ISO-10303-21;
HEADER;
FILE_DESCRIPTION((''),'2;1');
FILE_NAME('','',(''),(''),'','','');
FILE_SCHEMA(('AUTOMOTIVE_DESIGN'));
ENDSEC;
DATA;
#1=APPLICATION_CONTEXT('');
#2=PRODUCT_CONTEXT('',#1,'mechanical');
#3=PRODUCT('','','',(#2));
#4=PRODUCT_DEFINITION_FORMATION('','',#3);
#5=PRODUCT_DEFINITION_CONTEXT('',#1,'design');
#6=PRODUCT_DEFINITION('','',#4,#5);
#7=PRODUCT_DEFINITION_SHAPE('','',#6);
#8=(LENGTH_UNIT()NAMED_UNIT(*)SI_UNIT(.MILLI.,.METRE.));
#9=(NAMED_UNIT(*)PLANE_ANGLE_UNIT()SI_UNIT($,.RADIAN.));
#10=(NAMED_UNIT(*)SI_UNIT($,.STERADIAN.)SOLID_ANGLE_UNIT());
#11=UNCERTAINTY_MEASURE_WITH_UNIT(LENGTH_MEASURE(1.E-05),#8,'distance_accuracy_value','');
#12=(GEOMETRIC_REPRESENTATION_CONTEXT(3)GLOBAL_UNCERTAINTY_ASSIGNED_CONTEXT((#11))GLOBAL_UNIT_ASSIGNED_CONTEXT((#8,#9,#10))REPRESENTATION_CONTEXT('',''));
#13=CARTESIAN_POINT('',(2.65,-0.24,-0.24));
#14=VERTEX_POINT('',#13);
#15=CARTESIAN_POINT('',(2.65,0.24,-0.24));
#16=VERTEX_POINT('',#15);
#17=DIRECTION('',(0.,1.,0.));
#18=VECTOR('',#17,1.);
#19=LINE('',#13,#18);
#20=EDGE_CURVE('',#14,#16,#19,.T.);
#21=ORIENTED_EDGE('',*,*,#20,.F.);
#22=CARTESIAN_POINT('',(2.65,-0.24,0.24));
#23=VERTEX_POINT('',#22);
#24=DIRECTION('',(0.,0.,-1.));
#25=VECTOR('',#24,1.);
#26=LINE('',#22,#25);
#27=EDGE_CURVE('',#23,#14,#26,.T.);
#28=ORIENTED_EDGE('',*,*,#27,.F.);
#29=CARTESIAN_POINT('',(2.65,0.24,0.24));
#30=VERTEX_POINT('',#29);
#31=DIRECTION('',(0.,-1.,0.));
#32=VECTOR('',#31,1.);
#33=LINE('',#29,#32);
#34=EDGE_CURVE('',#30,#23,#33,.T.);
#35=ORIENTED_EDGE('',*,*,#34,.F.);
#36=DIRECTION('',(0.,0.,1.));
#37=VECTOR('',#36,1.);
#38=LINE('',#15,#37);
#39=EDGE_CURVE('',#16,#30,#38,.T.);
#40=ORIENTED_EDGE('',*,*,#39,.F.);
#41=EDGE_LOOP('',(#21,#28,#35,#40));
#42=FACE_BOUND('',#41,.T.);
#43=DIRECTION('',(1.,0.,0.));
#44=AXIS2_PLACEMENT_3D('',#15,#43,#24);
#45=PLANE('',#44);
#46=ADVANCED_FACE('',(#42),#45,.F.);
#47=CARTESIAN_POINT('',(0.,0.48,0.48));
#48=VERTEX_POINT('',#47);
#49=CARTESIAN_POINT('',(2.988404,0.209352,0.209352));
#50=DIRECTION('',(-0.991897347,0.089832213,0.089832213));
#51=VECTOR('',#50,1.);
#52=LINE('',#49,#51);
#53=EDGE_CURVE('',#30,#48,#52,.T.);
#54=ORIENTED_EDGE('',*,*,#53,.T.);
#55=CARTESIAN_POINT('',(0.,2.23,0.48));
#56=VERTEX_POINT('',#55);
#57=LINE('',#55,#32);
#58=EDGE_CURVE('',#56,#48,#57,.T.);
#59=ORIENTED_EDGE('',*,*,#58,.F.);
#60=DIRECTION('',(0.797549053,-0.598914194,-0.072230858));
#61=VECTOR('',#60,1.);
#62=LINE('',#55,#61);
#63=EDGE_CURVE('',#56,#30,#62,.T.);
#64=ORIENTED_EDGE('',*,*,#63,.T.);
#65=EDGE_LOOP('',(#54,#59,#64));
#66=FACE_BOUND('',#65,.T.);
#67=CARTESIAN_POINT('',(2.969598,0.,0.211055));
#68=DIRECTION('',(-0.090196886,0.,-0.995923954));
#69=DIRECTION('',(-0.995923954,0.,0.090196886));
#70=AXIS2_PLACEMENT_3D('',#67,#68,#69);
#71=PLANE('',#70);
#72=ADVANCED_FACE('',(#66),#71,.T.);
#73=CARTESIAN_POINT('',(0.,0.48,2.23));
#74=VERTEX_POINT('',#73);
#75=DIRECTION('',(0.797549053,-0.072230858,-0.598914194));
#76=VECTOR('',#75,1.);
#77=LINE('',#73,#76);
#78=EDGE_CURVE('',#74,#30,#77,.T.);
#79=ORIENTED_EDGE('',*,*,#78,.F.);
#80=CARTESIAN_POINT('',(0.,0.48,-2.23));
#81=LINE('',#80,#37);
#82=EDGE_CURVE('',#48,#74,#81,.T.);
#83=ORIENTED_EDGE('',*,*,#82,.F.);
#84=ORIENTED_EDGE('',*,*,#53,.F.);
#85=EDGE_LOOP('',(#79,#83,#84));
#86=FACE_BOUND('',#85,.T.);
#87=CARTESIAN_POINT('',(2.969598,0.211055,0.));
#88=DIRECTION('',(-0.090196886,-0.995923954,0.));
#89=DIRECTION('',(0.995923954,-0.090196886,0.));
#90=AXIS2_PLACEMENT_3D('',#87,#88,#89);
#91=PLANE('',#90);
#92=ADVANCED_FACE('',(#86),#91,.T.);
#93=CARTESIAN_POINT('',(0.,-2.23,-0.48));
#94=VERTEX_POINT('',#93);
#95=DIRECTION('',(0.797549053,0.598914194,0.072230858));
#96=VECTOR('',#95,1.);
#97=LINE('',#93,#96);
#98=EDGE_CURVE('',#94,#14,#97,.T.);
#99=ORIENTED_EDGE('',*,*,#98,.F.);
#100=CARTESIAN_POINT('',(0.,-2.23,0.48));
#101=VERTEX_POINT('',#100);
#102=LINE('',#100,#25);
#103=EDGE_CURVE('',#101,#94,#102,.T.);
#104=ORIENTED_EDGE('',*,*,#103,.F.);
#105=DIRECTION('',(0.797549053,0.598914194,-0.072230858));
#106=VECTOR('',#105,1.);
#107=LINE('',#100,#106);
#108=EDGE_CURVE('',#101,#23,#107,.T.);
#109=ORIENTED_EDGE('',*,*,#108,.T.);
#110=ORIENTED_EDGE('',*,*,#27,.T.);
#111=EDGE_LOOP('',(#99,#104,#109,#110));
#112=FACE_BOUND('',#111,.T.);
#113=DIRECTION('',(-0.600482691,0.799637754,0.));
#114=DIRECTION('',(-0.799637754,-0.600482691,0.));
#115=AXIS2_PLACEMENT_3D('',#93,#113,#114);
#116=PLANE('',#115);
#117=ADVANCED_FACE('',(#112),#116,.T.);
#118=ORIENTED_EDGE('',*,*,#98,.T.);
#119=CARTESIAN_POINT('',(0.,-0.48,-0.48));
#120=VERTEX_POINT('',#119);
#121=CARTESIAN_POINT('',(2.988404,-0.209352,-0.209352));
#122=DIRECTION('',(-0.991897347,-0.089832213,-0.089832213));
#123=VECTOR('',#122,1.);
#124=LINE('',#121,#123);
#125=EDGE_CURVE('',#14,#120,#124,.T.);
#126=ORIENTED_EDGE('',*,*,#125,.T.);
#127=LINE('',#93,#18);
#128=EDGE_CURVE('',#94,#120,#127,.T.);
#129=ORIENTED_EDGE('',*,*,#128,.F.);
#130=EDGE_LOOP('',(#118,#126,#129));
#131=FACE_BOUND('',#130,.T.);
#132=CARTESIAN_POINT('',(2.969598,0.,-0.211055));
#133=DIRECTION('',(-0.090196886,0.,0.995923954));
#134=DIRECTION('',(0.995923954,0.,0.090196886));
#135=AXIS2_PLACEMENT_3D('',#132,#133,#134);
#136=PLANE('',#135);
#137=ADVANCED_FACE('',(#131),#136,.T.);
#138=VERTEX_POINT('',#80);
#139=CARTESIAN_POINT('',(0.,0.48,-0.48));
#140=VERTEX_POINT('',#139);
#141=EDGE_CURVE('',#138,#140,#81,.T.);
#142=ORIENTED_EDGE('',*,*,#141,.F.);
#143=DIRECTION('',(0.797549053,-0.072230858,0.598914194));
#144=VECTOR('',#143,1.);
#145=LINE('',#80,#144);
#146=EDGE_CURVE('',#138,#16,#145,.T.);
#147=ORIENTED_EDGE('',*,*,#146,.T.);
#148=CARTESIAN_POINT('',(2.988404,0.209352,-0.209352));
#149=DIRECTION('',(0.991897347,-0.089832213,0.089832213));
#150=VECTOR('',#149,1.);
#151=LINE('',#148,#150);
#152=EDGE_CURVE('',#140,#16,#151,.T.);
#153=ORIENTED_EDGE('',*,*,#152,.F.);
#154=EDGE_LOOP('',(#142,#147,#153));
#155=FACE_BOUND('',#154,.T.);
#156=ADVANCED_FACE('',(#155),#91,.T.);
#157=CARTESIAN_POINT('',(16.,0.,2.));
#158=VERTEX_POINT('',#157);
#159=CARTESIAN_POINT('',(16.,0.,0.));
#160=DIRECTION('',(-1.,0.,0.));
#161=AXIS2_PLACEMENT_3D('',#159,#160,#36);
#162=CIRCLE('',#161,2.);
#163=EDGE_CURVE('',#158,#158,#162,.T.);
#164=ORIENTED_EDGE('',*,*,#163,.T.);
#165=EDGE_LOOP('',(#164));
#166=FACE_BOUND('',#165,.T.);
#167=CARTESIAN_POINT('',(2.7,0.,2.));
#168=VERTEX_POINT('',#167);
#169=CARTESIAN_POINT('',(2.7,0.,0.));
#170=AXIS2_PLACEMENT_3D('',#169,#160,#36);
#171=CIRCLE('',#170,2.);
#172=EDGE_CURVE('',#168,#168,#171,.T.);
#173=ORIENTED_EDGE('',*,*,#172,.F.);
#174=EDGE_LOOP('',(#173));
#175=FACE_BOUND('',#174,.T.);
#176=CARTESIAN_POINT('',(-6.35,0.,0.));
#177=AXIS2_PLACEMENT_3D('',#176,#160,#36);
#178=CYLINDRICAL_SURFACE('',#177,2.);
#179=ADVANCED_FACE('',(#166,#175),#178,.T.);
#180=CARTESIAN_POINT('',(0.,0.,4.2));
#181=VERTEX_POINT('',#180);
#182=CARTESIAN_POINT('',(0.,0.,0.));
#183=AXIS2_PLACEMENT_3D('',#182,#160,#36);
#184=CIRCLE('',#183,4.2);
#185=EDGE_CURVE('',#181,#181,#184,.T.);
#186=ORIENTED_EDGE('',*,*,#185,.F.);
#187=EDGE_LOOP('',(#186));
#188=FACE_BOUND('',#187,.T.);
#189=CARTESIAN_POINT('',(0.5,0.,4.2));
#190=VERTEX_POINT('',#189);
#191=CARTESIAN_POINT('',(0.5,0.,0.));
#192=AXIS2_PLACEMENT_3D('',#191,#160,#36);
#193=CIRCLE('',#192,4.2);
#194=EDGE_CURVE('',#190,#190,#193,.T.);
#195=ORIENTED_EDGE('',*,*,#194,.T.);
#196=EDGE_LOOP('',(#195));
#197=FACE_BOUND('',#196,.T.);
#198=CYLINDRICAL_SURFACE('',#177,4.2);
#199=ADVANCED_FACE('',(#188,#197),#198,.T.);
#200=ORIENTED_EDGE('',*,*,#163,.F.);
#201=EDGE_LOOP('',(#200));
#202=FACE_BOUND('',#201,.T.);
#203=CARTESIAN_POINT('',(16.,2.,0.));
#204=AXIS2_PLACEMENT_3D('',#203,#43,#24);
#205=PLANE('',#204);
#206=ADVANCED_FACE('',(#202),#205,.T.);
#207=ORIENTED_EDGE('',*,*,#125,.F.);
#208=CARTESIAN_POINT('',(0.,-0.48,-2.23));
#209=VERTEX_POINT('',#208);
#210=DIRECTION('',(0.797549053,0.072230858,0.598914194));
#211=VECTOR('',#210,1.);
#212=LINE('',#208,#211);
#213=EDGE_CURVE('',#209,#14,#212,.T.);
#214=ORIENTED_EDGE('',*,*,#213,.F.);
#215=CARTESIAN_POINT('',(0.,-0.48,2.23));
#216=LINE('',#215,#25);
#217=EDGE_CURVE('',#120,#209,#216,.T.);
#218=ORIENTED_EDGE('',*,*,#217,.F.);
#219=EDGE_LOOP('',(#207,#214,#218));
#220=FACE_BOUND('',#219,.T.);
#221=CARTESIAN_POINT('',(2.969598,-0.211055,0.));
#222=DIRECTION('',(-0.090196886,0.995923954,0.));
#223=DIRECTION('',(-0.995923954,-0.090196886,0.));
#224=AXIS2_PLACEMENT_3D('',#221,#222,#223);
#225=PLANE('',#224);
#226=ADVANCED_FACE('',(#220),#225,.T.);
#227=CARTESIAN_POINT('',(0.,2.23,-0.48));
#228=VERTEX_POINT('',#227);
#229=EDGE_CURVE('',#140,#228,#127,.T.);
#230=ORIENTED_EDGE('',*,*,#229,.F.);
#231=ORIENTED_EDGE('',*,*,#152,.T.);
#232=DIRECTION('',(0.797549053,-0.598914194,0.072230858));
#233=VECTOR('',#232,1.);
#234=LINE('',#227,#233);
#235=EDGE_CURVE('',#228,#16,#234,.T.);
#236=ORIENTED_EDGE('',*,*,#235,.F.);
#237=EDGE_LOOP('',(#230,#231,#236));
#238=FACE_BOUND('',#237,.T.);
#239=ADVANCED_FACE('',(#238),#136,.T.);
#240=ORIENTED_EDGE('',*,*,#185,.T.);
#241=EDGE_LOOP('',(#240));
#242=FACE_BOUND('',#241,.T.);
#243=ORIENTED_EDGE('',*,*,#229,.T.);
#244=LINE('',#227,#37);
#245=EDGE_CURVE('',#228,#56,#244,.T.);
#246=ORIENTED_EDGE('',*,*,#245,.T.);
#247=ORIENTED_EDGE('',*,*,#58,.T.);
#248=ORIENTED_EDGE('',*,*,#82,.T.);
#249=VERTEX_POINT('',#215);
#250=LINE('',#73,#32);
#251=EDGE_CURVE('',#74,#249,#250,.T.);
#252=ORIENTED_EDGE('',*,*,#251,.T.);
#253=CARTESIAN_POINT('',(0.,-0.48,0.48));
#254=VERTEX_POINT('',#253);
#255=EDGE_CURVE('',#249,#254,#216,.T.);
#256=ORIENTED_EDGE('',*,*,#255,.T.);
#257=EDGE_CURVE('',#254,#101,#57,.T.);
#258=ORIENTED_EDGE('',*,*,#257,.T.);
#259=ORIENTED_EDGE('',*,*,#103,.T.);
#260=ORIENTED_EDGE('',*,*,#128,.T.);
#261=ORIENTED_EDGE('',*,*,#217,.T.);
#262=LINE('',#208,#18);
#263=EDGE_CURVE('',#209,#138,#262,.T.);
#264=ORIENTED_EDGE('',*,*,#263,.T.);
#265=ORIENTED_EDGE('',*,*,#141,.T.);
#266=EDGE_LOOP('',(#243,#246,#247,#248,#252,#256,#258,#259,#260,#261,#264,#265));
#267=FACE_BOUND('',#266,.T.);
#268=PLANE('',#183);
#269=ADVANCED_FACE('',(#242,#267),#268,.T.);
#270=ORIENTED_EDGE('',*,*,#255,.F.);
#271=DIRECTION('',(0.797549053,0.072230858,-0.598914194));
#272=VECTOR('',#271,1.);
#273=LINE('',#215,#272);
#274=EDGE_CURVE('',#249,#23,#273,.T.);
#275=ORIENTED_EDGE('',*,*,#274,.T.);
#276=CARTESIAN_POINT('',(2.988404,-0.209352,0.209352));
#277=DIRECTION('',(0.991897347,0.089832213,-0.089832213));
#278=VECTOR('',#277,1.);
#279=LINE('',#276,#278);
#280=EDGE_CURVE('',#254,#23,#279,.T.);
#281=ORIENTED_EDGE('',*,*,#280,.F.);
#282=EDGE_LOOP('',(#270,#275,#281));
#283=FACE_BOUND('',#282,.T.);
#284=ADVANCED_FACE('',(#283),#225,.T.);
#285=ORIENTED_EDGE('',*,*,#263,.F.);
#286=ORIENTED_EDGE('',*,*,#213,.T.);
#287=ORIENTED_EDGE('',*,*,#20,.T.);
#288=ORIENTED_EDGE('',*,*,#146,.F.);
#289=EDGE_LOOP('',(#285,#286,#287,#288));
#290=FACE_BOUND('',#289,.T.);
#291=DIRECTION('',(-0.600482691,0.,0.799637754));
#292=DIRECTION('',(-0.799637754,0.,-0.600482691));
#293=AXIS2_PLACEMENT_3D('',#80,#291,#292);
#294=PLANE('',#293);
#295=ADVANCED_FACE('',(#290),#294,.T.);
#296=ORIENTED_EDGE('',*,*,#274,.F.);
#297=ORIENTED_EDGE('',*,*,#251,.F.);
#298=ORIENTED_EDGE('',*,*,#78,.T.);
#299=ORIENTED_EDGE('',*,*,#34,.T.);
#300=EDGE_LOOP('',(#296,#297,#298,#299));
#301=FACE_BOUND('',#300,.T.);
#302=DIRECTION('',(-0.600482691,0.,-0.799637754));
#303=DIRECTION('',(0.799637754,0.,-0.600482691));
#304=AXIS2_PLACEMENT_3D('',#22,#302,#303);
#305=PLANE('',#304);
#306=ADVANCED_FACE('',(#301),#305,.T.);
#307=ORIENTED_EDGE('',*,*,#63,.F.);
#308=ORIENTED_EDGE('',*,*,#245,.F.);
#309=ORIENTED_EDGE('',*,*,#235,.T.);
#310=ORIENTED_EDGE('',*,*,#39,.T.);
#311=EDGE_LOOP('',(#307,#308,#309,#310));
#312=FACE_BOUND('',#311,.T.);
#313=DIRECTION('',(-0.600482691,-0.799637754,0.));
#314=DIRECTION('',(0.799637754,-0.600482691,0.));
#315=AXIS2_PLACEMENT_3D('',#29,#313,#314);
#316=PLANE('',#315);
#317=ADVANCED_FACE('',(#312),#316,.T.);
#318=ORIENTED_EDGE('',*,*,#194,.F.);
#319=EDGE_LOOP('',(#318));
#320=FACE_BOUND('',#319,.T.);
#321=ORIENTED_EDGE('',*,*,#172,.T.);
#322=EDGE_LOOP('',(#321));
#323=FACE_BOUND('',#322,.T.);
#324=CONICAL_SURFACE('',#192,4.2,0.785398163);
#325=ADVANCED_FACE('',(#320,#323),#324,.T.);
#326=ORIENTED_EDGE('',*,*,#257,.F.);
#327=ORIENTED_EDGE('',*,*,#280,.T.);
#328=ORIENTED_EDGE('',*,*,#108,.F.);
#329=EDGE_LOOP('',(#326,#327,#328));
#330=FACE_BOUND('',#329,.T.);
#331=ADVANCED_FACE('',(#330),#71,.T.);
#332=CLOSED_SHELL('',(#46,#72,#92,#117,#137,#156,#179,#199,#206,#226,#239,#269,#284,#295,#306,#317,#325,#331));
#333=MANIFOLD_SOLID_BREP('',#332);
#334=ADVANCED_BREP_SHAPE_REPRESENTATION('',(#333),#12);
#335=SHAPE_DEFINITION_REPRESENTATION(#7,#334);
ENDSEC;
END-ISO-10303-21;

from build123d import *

# Parameters (mm, degrees)
SKETCH3_W         = 0.96
SKETCH3_H         = 4.46
SKETCH4_W         = 0.48
SKETCH4_H         = 0.48
CIRPATTERN1_COUNT = 2
CIRPATTERN1_ANGLE = 90


with BuildPart() as part:
    # BodySke → Base-Revolve (revolve)
    with BuildSketch(Plane.XY):
        Polygon((0, 0), (0, 4.2), (0.5, 4.2), (2.7, 2), (16, 2), (16, 0), align=None)
    revolve(axis=Axis((-6.35, 0, 0), (1, 0, 0)))

    # Sketch3 → Cross section 0
    with BuildSketch(Plane.ZY):
        Rectangle(SKETCH3_W, SKETCH3_H)
    # Sketch4 → Cross section 1
    with BuildSketch(Plane.ZY.offset(-2.65)):
        Rectangle(SKETCH4_W, SKETCH4_H)
    cross = loft(mode=Mode.SUBTRACT)

    # CirPattern1: Cross ×2 about axis
    cirpattern1_axis = Axis((0, 0, 0), (1, 0, 0))
    for i in range(1, CIRPATTERN1_COUNT):
        add(cross.rotate(cirpattern1_axis, i * CIRPATTERN1_ANGLE / (CIRPATTERN1_COUNT - 1)), mode=Mode.SUBTRACT)


solid = part.part
